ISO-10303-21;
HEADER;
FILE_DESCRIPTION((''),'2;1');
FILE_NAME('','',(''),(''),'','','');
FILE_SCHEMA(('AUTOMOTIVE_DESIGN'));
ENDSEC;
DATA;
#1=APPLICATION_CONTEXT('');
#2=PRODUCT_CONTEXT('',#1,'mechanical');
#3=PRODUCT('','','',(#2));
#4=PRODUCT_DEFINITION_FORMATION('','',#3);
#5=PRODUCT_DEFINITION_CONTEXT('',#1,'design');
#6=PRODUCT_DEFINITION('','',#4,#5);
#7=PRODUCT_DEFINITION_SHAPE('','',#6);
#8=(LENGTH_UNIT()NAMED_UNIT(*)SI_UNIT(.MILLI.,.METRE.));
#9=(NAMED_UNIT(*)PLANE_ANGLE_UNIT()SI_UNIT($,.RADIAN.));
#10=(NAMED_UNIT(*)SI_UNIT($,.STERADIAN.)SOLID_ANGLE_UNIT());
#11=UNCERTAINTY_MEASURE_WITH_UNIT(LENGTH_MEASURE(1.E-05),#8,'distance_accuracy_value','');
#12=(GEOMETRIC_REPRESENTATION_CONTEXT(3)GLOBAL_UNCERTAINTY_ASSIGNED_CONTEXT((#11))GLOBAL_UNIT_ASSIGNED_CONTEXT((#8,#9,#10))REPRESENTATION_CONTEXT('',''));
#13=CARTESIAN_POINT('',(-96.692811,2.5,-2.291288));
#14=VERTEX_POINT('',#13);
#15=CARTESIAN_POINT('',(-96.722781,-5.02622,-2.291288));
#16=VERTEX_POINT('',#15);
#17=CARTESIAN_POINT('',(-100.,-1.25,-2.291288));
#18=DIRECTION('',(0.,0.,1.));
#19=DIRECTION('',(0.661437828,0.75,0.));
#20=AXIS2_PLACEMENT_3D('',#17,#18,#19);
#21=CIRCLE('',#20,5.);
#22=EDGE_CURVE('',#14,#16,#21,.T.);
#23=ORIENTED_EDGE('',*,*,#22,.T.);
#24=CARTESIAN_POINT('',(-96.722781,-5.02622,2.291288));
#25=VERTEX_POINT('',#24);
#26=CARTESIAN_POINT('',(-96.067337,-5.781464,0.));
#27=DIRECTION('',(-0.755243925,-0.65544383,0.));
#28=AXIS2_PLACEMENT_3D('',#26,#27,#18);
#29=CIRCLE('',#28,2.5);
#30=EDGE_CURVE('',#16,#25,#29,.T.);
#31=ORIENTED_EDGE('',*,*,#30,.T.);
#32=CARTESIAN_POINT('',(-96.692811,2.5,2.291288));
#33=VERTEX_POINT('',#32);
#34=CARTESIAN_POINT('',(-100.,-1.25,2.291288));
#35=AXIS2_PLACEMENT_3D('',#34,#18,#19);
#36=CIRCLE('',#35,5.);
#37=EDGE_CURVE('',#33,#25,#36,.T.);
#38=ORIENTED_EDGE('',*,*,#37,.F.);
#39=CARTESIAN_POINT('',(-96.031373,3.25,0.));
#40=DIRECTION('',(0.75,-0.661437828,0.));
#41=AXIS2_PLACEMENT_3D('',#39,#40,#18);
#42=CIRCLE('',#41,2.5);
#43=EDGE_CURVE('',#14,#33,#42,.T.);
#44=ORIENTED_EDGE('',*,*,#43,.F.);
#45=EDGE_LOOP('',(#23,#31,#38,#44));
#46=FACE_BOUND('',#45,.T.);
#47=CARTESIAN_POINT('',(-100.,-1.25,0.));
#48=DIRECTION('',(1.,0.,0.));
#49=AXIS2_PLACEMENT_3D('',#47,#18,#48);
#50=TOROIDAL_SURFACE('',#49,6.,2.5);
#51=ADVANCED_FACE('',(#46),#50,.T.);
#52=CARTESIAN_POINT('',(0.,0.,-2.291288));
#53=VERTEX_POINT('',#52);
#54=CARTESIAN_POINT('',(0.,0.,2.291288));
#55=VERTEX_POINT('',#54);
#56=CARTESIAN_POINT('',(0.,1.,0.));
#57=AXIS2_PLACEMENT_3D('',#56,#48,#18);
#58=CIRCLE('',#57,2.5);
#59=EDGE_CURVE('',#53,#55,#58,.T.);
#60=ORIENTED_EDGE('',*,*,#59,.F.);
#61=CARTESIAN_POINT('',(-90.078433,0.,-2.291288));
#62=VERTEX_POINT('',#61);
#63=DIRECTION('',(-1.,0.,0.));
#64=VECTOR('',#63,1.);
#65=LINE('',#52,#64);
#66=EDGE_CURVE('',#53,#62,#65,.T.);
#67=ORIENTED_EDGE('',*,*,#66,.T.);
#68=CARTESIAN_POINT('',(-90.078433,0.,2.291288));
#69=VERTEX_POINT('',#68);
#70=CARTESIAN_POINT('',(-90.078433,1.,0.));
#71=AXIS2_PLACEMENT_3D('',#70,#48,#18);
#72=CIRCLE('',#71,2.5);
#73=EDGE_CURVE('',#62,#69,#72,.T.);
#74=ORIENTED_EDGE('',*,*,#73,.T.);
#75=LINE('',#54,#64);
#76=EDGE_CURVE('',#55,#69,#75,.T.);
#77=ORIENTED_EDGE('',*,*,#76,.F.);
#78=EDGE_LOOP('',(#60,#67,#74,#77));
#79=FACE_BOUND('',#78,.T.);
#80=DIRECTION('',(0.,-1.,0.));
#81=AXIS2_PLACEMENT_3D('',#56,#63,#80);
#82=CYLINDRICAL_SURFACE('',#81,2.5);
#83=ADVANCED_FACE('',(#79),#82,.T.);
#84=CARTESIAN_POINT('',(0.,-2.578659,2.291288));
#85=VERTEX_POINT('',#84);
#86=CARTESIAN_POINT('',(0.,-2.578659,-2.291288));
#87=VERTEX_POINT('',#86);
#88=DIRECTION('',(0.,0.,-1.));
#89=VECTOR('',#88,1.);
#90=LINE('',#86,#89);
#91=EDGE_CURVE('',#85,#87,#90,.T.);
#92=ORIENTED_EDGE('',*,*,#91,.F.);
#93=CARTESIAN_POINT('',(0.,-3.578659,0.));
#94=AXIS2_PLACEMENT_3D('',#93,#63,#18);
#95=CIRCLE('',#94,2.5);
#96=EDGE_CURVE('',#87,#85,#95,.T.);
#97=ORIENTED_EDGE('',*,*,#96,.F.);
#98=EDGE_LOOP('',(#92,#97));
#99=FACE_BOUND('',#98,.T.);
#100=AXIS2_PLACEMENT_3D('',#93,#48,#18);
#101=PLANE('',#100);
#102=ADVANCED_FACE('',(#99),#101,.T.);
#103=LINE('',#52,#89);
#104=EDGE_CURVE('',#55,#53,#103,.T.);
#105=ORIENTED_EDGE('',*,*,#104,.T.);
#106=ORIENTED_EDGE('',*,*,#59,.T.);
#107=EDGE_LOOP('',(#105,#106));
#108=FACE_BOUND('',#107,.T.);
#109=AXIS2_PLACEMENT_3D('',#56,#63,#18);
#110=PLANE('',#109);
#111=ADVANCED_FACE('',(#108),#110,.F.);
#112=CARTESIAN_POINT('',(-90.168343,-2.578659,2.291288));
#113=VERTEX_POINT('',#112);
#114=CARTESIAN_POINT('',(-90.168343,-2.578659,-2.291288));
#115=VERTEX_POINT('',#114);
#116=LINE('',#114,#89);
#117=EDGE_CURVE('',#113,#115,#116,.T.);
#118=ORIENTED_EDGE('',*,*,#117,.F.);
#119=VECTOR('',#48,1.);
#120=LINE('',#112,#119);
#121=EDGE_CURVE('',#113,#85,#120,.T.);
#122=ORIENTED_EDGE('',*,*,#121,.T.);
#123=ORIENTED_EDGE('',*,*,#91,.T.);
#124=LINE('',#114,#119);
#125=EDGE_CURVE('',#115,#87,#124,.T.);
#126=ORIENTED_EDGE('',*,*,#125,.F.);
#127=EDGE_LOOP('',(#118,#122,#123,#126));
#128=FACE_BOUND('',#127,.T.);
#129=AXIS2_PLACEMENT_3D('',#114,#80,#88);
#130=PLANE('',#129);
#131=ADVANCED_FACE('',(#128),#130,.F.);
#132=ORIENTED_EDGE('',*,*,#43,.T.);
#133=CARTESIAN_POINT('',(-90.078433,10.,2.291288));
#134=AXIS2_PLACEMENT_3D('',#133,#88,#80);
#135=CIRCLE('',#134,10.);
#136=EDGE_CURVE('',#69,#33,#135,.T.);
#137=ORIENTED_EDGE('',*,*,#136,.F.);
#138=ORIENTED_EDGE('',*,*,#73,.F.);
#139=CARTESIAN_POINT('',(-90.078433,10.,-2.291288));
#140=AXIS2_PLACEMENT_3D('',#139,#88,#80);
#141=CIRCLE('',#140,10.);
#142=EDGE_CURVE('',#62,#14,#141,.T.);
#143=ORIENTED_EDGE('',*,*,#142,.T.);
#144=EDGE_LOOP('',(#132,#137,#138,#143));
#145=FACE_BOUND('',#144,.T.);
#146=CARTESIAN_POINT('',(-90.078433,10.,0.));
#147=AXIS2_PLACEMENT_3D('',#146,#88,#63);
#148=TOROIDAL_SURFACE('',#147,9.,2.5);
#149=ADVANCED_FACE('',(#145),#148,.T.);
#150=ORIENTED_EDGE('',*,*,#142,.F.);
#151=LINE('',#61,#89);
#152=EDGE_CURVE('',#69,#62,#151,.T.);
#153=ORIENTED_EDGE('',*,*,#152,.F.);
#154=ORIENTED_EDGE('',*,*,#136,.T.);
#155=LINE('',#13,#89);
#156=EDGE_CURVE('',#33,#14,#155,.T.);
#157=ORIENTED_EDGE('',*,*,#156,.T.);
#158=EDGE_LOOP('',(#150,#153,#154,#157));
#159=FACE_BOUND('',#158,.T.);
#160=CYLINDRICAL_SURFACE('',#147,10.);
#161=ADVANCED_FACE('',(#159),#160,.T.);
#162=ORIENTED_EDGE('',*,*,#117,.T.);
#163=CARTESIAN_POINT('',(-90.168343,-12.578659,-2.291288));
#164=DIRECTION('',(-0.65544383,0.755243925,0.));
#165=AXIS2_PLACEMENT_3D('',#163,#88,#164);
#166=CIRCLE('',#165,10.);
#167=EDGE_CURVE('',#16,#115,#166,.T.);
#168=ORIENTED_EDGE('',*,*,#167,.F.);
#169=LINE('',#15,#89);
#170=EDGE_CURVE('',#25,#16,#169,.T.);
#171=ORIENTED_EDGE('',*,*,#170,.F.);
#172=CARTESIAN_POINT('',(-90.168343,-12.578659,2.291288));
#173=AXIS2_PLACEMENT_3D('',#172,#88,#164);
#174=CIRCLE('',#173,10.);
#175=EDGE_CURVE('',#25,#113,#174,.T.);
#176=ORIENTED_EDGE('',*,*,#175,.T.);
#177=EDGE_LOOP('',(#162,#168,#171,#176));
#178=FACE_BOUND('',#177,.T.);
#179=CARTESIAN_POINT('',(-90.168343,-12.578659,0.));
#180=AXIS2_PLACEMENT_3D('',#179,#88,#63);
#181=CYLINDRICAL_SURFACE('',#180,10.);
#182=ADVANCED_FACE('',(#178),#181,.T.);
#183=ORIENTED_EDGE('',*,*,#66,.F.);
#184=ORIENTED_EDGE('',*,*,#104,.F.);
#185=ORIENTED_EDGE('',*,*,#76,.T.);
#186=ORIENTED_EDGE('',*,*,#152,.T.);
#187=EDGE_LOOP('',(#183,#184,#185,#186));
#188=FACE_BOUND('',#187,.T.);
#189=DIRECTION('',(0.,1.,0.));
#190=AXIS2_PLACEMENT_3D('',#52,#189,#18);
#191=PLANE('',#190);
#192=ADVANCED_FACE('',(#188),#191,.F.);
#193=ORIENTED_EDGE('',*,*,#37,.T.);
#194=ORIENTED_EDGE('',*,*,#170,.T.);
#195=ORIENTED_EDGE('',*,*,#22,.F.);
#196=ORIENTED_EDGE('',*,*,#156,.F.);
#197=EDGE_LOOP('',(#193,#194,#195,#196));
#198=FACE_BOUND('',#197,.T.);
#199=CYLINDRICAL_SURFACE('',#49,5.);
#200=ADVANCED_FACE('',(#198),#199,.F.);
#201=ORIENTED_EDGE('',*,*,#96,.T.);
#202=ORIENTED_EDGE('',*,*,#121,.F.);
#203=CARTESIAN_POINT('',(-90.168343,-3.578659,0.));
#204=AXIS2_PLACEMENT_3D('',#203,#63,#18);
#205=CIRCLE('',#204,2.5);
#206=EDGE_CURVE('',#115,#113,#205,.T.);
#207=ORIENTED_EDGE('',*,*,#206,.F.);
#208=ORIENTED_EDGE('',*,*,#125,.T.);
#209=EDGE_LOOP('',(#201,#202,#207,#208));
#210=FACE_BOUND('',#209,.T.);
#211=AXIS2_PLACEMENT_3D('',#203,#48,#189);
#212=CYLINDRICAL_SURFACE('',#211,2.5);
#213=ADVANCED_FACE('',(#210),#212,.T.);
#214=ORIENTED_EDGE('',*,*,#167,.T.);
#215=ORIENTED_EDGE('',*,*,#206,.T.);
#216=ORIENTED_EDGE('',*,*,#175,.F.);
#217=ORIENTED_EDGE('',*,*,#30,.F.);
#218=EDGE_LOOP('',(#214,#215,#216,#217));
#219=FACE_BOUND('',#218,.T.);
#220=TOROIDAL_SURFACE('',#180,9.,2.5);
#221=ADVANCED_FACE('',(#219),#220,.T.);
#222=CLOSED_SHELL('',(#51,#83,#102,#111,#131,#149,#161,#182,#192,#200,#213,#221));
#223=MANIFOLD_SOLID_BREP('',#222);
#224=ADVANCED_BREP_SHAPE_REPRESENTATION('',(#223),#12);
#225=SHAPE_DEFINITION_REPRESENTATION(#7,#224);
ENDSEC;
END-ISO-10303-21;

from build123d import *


with BuildPart() as part:
    # Sweep1: sweep along a path in Sketch1
    with BuildLine(Plane.XY) as sweep1_path:
        Line((0, 0), (-90.078432584, 0))
        ThreePointArc((-90.078432584, 0), (-93.613966489, 0.645856533), (-96.692810861, 2.5))
        ThreePointArc((-96.692810861, 2.5), (-104.999960358, -1.230089771), (-96.72278085, -5.026219624))
        ThreePointArc((-96.72278085, -5.026219624), (-93.666599798, -3.210510909), (-90.168342551, -2.578658871))
        Line((-90.168342551, -2.578658871), (0, -2.578658871))
    # Sketch2 → Sweep1 (sweep)
    with BuildSketch(Plane(origin=(0, 0, 0), x_dir=(0, 0, -1), z_dir=(1, 0, 0))):
        with BuildLine():
            Line((2.291287847, 0), (-2.291287847, 0))
            ThreePointArc((-2.291287847, 0), (0, 3.5), (2.291287847, 0))
        make_face()
    sweep(path=sweep1_path.line)


solid = part.part
